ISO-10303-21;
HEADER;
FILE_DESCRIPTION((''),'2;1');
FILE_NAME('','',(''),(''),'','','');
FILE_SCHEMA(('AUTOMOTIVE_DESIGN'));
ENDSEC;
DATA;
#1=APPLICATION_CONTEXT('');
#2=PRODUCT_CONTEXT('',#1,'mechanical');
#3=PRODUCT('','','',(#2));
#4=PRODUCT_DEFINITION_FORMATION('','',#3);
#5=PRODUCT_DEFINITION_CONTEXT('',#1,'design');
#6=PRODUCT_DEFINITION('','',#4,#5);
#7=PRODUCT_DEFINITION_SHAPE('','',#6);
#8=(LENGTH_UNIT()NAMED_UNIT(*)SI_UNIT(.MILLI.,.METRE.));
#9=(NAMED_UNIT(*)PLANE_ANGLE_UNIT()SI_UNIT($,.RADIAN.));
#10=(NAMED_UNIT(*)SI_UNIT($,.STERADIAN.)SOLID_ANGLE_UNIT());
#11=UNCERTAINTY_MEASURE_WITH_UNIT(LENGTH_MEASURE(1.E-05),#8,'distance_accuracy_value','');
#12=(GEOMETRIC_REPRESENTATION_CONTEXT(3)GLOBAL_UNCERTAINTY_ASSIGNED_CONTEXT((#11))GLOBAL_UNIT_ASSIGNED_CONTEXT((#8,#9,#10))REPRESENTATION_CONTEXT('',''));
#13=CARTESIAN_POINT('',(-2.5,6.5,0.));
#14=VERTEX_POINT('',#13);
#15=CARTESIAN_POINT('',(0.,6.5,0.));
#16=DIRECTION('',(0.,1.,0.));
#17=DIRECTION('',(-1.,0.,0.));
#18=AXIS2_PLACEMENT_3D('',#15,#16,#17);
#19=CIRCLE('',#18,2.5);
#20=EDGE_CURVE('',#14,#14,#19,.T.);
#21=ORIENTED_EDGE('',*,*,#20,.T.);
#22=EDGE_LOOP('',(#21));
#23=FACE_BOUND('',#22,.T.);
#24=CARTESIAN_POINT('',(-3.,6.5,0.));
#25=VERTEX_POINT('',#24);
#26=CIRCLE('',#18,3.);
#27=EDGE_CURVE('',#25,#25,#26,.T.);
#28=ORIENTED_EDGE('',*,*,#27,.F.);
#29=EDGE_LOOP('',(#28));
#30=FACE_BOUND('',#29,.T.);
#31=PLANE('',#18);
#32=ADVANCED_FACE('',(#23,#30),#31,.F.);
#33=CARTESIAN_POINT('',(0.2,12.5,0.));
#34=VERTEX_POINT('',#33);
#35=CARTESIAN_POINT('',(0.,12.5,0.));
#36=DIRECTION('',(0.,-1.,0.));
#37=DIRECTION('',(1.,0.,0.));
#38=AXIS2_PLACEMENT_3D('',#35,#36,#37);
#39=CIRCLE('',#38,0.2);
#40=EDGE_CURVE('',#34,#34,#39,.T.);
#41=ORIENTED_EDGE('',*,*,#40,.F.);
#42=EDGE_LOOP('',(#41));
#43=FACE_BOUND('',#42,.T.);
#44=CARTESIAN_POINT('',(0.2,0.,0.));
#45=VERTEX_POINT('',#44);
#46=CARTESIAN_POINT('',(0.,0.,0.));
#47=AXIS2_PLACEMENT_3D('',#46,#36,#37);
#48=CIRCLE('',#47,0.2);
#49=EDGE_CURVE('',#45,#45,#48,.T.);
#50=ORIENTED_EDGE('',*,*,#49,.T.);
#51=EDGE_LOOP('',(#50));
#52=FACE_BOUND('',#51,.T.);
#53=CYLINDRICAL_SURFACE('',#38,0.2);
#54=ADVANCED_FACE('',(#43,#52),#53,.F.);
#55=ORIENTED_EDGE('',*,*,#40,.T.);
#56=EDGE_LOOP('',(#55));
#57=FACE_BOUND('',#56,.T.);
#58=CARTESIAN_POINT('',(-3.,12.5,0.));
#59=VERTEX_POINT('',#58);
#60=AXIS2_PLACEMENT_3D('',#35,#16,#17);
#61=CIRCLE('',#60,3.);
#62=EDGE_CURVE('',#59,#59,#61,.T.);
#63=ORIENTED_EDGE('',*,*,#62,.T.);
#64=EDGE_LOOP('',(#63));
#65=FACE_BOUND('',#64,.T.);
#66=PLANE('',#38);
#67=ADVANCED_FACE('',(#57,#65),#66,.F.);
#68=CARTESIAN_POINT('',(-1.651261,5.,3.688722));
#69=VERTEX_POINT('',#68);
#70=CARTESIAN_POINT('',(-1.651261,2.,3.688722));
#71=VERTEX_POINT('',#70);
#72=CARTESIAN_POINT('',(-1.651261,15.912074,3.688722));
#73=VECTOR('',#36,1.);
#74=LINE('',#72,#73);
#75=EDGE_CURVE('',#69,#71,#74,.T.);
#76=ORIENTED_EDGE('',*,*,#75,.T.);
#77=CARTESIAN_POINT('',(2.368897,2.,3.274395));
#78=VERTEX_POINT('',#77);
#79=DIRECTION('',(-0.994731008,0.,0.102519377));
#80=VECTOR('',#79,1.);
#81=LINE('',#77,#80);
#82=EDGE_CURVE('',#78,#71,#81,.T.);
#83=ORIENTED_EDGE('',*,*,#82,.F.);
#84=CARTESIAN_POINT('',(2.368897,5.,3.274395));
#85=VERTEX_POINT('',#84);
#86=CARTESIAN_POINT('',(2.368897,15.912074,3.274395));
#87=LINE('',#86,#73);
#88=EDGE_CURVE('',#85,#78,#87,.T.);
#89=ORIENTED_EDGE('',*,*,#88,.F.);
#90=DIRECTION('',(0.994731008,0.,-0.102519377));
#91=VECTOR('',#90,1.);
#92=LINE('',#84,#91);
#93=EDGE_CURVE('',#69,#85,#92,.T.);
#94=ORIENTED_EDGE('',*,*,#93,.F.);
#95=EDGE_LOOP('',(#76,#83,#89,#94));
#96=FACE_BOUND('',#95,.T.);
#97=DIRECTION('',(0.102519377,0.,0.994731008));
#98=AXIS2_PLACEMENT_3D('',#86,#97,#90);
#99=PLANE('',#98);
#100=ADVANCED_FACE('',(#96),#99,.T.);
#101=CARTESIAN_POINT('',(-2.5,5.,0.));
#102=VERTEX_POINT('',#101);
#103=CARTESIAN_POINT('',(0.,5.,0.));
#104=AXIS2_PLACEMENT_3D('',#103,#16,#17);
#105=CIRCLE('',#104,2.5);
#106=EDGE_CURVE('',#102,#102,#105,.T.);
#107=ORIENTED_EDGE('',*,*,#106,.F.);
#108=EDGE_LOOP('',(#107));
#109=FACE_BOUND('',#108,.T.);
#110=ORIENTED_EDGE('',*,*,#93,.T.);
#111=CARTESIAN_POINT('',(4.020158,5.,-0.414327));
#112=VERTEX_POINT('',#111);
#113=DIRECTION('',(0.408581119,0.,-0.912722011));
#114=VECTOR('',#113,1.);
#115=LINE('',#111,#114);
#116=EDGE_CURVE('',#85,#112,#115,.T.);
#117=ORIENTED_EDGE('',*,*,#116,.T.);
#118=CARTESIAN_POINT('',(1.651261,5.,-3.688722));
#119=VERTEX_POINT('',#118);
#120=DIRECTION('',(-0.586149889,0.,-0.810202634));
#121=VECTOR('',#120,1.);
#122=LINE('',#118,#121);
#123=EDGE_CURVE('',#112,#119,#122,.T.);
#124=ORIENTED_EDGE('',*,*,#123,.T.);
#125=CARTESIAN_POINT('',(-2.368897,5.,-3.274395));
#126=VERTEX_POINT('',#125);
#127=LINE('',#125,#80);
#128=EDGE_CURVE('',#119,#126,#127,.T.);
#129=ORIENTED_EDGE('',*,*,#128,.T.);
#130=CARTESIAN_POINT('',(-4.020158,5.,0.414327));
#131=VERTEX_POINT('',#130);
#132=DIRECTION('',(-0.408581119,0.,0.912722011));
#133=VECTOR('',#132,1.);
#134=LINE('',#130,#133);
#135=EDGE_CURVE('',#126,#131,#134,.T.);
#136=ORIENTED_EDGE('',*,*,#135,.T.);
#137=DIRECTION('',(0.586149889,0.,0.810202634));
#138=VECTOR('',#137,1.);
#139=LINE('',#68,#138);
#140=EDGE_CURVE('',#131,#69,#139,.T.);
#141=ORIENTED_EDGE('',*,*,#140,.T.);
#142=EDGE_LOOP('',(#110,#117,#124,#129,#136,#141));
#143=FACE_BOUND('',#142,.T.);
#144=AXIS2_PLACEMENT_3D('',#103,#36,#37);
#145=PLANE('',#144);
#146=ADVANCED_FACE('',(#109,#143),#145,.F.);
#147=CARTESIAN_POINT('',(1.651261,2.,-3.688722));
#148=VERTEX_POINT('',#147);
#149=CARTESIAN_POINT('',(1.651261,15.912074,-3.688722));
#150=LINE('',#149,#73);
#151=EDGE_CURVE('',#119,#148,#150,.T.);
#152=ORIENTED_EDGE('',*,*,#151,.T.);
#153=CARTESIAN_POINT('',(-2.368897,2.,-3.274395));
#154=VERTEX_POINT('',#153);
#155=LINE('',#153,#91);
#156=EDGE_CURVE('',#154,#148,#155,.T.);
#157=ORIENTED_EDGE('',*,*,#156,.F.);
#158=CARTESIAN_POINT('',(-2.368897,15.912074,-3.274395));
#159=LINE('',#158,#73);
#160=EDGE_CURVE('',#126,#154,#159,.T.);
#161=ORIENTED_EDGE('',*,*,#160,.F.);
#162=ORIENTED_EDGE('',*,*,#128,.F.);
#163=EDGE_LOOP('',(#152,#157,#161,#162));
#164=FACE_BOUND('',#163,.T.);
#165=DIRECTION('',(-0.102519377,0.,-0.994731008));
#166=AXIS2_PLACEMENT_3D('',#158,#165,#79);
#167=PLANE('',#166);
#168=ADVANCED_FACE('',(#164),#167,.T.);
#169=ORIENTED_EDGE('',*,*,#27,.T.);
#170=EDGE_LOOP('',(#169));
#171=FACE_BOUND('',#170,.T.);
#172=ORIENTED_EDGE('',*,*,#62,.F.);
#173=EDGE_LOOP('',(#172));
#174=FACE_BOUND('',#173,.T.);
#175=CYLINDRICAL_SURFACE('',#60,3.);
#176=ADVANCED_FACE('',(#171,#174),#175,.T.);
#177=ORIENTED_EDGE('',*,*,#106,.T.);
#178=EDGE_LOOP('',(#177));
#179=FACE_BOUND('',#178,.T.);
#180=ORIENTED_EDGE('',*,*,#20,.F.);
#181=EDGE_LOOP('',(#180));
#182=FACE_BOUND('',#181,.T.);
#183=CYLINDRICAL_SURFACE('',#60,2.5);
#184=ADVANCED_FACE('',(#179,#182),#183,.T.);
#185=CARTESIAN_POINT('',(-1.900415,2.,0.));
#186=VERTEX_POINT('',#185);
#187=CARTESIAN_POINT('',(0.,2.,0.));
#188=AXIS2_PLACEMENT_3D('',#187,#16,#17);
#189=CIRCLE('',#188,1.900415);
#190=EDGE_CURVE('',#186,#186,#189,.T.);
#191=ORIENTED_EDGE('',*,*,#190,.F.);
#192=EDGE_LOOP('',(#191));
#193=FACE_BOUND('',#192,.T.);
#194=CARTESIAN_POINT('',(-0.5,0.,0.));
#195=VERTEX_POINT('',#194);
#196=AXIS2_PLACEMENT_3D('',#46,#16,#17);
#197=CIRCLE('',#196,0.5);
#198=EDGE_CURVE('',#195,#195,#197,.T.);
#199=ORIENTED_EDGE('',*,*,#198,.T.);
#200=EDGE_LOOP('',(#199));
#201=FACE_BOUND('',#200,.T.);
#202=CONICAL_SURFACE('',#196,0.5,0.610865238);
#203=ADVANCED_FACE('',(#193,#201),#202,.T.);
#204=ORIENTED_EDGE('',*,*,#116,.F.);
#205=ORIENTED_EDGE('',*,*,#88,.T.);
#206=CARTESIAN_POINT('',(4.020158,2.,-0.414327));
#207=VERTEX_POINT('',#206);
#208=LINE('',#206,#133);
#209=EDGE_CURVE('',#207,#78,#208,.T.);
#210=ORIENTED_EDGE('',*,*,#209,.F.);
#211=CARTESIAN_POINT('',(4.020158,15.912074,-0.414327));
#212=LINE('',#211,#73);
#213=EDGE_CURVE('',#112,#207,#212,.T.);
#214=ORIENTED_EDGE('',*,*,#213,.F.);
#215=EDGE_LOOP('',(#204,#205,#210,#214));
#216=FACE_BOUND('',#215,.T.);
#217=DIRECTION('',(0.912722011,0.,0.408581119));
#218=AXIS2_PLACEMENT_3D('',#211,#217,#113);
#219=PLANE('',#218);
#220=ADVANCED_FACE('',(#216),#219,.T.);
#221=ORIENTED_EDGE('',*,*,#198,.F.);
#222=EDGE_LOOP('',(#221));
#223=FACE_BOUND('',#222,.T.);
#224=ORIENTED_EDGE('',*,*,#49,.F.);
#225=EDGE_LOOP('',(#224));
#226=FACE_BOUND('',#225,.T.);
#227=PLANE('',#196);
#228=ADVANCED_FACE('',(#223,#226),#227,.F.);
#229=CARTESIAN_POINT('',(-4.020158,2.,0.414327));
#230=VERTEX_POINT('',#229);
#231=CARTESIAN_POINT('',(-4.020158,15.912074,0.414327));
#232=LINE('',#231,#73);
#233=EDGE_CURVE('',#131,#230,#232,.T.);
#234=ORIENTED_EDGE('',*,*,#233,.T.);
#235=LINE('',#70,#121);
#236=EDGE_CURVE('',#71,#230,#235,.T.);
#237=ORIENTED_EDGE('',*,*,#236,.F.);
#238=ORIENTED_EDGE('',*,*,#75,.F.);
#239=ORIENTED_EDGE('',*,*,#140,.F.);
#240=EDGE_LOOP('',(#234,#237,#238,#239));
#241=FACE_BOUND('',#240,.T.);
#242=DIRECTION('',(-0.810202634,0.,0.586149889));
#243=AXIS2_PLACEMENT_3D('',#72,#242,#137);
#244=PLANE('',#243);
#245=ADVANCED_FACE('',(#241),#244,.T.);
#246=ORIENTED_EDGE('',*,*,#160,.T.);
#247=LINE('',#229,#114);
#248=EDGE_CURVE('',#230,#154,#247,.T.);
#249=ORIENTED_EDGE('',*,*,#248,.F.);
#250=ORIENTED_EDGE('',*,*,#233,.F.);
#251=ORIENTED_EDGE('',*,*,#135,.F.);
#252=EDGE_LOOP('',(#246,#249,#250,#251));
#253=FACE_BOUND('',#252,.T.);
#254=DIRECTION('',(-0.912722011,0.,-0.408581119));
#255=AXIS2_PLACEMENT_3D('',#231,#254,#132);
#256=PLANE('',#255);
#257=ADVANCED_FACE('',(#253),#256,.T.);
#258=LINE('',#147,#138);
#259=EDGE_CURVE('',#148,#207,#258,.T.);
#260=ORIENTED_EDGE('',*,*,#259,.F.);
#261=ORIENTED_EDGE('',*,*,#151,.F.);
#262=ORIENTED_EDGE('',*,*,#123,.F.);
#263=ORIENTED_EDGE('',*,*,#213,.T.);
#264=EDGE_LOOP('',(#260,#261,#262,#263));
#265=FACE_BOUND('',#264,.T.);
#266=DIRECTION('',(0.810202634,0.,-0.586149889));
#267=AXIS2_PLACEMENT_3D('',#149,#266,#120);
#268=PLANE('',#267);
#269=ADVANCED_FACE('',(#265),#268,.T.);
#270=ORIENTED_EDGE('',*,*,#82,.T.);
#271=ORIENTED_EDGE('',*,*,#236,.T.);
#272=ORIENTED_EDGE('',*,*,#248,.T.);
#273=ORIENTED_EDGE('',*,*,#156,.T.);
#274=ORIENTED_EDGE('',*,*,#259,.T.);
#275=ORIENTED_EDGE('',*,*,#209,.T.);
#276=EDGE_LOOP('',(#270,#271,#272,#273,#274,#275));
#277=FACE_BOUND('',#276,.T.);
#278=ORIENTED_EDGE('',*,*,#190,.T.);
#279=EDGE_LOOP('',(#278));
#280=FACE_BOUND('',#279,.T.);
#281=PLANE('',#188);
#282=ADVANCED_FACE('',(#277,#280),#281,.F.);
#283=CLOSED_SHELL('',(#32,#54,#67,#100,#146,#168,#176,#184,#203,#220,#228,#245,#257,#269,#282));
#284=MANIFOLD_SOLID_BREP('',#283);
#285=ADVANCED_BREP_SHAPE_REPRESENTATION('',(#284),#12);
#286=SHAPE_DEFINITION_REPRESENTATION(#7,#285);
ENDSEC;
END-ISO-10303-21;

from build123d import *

# Parameters (mm, degrees)
BOSS_EXTRUDE1_DEPTH = 3
SKETCH4_R           = 0.2
CUT_EXTRUDE1_DEPTH  = 13.5


with BuildPart() as part:
    # Sketch2 → Revolve1 (revolve)
    with BuildSketch(Plane.XY):
        Polygon((3, 12.5), (0, 12.5), (0, 0), (0.5, 0), (1.900415076, 2), (3.5, 2), (3.5, 5), (2.5, 5), (2.5, 6.5), (3, 6.5), align=None)
    revolve(axis=Axis((0, 12.5, 0), (0, -1, 0)))

    # Sketch3 → Boss-Extrude1 (add)
    with BuildSketch(Plane.XZ.offset(-2)):
        Polygon((-4.020157505, 0.41432713), (-2.368896572, -3.274394961), (1.651260932, -3.688722091), (4.020157505, -0.41432713), (2.368896572, 3.274394961), (-1.651260932, 3.688722091), align=None)
    extrude(amount=-BOSS_EXTRUDE1_DEPTH)

    # Sketch4 → Cut-Extrude1 (cut, through all)
    with BuildSketch(Plane.XZ):
        Circle(SKETCH4_R)
    extrude(amount=-CUT_EXTRUDE1_DEPTH, mode=Mode.SUBTRACT)


solid = part.part
